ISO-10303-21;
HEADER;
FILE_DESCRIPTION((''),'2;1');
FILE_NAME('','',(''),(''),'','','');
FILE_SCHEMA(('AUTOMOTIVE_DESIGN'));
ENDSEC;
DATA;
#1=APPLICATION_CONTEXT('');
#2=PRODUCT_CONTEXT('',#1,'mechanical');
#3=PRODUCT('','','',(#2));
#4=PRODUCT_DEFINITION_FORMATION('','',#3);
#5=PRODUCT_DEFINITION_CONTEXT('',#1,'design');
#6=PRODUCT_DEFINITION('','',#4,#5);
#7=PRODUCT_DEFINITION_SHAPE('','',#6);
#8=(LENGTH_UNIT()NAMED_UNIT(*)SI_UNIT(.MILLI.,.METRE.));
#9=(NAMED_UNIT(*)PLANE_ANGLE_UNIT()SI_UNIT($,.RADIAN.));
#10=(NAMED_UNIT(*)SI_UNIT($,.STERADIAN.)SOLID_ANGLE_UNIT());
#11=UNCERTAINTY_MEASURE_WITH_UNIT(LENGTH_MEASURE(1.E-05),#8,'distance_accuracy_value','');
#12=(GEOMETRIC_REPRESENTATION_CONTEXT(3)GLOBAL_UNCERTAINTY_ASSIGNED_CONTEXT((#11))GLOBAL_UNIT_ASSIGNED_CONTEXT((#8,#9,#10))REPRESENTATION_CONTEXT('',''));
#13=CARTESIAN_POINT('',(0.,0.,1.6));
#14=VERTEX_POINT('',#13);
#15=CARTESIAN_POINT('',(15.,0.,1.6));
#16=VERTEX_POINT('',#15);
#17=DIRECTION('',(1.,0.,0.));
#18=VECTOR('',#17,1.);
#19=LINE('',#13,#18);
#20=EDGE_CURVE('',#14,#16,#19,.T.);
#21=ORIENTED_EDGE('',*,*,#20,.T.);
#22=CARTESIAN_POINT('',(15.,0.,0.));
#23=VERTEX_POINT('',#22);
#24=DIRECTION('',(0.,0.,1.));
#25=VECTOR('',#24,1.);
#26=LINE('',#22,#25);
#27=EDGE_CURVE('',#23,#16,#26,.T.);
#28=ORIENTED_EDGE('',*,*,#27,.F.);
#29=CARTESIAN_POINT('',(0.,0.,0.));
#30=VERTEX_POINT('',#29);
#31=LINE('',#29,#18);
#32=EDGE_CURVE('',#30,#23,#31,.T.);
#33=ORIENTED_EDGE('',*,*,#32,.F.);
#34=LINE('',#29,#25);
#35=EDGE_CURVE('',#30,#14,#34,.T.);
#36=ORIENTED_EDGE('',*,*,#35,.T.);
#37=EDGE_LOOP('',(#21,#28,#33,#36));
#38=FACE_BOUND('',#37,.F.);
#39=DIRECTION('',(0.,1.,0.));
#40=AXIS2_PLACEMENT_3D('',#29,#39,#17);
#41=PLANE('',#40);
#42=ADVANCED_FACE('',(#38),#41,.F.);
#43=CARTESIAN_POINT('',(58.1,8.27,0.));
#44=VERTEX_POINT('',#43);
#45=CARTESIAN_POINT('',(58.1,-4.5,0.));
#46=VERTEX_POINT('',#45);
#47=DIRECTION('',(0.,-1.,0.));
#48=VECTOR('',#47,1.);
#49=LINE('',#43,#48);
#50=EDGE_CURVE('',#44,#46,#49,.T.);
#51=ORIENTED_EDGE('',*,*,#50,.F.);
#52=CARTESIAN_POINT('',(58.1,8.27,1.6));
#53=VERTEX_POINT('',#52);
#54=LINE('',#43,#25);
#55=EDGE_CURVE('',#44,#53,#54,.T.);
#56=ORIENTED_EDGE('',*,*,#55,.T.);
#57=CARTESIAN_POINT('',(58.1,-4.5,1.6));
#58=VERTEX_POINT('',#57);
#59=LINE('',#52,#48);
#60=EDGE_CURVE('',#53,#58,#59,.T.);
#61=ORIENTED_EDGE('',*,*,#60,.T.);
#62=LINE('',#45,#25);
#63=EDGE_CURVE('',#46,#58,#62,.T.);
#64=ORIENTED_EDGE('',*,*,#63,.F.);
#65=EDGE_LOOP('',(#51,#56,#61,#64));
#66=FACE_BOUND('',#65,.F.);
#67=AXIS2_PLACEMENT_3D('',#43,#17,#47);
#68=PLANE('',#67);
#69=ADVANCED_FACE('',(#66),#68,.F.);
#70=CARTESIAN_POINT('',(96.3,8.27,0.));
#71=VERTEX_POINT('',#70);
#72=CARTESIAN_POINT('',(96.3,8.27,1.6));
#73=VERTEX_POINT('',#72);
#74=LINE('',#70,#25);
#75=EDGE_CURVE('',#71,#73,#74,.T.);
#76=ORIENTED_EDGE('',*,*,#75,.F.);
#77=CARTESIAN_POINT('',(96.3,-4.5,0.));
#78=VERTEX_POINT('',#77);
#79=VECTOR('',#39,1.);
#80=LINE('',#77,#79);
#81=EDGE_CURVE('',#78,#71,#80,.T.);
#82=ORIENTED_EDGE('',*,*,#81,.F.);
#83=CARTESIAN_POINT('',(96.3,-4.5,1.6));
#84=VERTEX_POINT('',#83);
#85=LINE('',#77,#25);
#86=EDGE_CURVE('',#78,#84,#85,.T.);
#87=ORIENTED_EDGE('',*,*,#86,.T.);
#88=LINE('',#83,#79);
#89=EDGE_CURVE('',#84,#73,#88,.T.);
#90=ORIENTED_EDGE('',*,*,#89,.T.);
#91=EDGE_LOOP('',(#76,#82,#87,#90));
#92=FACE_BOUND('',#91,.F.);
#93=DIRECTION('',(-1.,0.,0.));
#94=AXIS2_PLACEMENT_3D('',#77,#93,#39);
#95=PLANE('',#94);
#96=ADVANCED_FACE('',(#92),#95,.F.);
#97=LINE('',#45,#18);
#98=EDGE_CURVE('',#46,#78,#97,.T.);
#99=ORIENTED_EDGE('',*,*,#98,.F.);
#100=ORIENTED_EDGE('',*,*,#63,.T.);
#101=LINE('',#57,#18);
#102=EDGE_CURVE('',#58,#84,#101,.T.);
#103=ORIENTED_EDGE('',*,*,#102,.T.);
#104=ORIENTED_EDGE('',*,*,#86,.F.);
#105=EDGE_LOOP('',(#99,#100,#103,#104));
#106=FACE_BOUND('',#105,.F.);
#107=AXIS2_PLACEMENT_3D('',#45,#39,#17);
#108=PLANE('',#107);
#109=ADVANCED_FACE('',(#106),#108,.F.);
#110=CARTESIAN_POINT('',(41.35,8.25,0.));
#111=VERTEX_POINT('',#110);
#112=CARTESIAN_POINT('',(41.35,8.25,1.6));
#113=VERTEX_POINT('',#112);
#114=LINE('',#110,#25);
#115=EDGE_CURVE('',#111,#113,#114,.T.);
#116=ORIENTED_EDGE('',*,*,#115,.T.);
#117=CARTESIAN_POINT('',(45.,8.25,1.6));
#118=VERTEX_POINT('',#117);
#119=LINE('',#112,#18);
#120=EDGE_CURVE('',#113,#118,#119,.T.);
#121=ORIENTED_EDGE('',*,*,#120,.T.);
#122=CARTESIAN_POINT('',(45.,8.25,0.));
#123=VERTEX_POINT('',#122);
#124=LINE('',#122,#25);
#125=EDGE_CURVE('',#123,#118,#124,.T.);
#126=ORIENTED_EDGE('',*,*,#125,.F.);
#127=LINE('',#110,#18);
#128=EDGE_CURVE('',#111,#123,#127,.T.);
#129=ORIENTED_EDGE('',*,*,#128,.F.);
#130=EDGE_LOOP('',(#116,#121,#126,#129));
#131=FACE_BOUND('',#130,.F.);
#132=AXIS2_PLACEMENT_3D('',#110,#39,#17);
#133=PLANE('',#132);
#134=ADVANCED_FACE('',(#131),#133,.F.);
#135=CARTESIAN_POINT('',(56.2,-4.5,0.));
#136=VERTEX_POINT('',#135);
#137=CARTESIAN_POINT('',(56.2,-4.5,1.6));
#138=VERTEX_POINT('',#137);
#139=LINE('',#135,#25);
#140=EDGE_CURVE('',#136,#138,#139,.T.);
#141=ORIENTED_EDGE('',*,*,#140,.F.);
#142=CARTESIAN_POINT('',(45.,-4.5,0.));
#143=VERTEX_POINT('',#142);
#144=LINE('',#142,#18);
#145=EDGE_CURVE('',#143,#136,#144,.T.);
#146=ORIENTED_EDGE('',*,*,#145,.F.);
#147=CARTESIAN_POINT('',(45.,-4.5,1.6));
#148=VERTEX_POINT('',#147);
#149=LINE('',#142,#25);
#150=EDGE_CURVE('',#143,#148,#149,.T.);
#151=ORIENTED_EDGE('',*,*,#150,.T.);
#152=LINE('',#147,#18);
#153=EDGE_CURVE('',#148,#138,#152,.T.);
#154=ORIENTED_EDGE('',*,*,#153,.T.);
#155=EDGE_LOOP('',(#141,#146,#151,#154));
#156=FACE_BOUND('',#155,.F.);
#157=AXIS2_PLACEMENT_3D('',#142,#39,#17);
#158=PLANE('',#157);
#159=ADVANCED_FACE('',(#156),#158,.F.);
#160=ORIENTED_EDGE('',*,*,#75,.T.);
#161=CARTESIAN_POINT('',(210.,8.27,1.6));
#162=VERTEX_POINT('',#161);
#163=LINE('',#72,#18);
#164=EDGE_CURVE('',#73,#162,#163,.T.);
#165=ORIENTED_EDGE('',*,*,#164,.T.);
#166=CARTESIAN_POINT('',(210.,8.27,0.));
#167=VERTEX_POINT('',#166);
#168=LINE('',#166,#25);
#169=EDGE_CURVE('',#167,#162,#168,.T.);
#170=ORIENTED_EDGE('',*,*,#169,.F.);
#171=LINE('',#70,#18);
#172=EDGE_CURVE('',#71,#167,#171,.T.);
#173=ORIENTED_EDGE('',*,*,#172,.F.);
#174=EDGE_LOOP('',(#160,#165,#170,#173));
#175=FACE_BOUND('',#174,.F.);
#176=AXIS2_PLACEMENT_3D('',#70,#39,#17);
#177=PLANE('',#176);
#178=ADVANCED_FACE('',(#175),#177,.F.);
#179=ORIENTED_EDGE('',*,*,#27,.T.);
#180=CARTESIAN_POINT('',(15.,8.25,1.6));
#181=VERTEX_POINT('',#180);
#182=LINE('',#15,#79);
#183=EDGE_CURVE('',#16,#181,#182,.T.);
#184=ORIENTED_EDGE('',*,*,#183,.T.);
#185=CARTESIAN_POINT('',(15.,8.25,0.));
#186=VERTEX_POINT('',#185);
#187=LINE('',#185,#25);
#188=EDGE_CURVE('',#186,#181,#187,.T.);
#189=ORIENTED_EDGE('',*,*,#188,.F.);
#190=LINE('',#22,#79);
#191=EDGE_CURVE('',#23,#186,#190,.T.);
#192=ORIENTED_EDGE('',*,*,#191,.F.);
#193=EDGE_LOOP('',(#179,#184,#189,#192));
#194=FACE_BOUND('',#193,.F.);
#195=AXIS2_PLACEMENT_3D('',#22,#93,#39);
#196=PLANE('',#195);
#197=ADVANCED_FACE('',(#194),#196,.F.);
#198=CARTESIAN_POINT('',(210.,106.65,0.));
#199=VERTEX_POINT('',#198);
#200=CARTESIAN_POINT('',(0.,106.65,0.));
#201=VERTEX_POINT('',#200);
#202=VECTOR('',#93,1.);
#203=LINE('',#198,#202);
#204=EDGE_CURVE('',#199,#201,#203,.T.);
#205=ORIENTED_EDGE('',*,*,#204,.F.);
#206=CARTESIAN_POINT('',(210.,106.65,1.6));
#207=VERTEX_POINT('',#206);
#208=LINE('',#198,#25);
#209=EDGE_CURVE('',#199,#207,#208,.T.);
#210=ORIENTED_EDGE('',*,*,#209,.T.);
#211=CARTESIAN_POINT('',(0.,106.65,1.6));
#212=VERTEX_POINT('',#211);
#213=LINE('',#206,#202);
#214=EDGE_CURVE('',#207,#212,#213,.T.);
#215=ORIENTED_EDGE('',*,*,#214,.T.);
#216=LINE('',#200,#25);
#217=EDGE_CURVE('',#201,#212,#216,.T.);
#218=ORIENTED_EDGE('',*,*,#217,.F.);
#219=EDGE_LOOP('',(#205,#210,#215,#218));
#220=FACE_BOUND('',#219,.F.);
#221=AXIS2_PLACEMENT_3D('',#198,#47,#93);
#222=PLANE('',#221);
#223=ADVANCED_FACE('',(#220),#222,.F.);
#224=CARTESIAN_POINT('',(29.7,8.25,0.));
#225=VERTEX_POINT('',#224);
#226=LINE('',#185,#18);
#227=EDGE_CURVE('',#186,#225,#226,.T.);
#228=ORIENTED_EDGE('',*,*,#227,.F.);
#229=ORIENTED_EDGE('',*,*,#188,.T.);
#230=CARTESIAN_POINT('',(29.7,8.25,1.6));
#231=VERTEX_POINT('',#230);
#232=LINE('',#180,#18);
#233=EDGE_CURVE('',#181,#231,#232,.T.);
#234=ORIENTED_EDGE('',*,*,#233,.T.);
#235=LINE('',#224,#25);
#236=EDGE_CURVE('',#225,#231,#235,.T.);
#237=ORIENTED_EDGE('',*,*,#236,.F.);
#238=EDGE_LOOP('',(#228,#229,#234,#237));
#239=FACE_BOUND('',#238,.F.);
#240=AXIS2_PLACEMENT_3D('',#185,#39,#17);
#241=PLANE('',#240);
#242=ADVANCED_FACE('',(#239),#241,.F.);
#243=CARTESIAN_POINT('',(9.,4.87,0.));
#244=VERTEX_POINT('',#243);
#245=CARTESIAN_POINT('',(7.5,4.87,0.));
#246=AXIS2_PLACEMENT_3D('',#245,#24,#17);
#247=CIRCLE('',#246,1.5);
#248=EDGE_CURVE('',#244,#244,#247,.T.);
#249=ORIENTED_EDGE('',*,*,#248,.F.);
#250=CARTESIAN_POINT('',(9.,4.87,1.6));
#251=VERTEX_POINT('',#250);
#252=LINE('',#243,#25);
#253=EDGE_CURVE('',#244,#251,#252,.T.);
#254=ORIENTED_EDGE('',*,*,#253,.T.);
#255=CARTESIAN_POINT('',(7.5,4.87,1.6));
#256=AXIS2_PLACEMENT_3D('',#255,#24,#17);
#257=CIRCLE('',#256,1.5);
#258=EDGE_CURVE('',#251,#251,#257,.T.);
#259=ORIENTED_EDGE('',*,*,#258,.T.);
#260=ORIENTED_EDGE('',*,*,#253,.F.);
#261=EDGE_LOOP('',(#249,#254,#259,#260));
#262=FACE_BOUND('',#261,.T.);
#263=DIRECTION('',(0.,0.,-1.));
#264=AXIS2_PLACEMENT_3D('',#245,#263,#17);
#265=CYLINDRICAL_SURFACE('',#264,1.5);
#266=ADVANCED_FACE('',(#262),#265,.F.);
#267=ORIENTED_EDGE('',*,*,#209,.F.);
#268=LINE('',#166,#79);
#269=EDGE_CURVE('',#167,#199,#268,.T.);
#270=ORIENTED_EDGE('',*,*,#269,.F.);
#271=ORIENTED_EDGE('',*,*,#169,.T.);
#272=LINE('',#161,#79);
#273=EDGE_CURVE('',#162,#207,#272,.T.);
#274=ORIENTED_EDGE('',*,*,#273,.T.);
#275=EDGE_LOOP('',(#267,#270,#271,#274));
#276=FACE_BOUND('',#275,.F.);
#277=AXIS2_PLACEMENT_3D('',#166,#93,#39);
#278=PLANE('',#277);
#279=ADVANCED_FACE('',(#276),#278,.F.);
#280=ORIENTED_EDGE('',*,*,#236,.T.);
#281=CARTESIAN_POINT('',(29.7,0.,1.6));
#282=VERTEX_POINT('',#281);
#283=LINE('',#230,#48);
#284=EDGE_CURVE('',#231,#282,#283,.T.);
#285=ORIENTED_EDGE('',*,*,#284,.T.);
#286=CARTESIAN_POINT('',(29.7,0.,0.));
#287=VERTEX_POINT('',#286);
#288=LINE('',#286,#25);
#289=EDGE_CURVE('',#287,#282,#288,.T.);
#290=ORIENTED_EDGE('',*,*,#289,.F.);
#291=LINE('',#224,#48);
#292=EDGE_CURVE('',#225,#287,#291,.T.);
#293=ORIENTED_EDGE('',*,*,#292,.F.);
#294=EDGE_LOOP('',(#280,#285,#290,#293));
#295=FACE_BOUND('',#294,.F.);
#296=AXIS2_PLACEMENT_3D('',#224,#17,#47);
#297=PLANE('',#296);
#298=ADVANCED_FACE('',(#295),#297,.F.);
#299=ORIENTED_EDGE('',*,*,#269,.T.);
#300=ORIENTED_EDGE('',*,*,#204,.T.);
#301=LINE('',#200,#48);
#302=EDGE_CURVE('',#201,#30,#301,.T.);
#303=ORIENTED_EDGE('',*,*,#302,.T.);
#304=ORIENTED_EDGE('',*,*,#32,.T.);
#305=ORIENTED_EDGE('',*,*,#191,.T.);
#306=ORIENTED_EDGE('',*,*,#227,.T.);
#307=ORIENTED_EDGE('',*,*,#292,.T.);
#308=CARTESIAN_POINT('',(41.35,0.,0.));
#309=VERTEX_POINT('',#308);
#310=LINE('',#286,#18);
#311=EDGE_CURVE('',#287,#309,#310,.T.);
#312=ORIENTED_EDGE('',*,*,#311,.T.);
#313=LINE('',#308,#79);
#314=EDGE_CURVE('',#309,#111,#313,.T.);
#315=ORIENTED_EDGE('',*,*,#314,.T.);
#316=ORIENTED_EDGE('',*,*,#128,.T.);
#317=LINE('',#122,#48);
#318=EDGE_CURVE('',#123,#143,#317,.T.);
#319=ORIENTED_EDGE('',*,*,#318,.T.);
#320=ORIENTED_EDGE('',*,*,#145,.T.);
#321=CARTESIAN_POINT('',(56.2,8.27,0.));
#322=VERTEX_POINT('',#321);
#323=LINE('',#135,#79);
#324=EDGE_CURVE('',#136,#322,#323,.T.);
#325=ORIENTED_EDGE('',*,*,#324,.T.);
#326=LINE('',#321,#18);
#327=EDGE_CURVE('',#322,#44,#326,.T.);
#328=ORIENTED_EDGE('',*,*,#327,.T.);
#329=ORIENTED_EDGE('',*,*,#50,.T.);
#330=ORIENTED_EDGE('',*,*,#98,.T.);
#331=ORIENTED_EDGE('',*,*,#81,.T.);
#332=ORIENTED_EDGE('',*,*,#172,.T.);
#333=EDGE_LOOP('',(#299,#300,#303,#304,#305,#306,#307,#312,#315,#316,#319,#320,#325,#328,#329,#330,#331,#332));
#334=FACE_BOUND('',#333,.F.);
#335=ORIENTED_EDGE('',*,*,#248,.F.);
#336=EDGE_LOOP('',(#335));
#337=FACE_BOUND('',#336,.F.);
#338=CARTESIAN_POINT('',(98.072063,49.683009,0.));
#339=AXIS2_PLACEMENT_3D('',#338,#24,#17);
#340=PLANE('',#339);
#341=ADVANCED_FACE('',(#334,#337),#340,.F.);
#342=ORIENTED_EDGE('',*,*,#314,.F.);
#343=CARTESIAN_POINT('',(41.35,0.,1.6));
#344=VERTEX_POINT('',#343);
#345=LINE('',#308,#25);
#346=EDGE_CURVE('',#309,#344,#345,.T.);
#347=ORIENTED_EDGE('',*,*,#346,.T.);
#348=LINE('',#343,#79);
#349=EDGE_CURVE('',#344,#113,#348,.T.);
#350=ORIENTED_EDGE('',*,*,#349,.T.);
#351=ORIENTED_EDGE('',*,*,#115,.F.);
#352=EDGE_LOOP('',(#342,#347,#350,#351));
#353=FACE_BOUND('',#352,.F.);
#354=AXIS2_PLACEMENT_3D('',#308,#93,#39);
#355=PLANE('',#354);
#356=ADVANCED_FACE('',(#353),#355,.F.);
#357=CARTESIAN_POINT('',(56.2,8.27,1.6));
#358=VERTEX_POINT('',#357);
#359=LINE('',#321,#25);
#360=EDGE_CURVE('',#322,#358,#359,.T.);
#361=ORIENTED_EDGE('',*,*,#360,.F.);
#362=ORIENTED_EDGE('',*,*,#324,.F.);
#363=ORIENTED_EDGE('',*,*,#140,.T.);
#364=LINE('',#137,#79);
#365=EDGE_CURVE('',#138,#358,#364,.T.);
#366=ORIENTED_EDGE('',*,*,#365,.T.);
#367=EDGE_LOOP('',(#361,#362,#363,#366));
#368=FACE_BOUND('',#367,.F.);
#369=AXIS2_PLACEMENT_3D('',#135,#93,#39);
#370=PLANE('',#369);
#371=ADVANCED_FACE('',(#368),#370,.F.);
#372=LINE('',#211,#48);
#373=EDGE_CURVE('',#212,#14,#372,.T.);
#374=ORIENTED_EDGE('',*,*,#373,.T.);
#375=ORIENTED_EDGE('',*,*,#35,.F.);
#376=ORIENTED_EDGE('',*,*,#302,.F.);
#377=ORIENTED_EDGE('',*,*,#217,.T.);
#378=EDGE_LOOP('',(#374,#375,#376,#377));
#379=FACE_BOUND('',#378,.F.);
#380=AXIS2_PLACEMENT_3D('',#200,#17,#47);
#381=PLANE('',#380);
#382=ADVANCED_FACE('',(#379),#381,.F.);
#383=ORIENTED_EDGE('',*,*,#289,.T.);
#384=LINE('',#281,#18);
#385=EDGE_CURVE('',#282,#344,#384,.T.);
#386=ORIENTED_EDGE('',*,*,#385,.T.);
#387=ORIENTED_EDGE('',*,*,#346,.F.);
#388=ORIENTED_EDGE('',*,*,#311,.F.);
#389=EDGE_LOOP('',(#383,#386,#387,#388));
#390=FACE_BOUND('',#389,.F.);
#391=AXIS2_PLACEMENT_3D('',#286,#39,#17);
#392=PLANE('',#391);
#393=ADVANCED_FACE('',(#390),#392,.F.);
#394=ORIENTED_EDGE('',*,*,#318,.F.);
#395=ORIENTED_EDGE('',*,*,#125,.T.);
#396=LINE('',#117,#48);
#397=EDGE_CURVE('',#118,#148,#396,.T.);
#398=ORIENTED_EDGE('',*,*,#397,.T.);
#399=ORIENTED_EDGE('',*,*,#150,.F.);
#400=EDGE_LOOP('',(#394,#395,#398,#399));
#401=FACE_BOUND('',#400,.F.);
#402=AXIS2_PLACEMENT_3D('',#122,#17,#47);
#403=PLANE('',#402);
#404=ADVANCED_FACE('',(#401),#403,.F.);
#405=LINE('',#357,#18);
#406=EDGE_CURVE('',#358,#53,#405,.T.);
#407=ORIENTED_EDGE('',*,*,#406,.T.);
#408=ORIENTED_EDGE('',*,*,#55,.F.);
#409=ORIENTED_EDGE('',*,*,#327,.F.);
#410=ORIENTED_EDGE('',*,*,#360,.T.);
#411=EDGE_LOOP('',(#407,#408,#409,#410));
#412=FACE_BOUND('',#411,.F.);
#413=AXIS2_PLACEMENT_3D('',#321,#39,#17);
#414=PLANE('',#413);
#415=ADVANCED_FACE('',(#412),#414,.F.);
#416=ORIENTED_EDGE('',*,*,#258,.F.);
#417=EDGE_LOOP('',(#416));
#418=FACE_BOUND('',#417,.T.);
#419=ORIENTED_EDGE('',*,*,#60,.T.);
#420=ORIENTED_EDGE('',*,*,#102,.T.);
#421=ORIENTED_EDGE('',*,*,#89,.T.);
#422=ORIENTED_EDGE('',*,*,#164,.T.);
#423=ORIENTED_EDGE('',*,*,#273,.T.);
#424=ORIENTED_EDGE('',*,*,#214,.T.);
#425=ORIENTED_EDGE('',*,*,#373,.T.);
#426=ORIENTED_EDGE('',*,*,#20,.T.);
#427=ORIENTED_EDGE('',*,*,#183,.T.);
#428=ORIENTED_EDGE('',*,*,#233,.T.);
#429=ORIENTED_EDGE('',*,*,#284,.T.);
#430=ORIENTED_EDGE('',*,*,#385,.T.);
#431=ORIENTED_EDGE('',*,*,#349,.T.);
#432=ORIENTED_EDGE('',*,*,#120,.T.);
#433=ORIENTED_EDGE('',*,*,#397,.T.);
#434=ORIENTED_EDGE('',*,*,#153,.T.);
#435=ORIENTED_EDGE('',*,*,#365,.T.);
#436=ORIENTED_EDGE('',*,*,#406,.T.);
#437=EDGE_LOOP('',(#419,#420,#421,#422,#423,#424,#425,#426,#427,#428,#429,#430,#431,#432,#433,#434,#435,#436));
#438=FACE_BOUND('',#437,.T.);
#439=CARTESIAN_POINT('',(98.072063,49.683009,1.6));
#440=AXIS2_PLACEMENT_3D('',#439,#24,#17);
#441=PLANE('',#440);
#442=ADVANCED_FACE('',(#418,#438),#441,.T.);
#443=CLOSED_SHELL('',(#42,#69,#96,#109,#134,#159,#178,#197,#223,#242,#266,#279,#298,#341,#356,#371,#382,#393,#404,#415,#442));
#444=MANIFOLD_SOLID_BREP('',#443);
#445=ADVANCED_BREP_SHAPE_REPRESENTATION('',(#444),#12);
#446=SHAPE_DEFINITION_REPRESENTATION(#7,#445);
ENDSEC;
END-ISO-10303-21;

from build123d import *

# Parameters (mm, degrees)
F0_R     = 1.5
F1_DEPTH = 1.6


with BuildPart() as f1:
    # F0 (on Top) → F1 (new body)
    with BuildSketch(Plane.XY):
        Polygon((210, 8.27), (210, 106.65), (0, 106.65), (0, 0), (15, 0), (15, 8.25), (29.7, 8.25), (29.7, 0), (41.35, 0), (41.35, 8.25), (45, 8.25), (45, -4.5), (56.2, -4.5), (56.2, 8.27), (58.1, 8.27), (58.1, -4.5), (96.3, -4.5), (96.3, 8.27), align=None)
        with Locations((7.5, 4.87)):
            Circle(F0_R, mode=Mode.SUBTRACT)
    extrude(amount=F1_DEPTH)


solid = f1.part
